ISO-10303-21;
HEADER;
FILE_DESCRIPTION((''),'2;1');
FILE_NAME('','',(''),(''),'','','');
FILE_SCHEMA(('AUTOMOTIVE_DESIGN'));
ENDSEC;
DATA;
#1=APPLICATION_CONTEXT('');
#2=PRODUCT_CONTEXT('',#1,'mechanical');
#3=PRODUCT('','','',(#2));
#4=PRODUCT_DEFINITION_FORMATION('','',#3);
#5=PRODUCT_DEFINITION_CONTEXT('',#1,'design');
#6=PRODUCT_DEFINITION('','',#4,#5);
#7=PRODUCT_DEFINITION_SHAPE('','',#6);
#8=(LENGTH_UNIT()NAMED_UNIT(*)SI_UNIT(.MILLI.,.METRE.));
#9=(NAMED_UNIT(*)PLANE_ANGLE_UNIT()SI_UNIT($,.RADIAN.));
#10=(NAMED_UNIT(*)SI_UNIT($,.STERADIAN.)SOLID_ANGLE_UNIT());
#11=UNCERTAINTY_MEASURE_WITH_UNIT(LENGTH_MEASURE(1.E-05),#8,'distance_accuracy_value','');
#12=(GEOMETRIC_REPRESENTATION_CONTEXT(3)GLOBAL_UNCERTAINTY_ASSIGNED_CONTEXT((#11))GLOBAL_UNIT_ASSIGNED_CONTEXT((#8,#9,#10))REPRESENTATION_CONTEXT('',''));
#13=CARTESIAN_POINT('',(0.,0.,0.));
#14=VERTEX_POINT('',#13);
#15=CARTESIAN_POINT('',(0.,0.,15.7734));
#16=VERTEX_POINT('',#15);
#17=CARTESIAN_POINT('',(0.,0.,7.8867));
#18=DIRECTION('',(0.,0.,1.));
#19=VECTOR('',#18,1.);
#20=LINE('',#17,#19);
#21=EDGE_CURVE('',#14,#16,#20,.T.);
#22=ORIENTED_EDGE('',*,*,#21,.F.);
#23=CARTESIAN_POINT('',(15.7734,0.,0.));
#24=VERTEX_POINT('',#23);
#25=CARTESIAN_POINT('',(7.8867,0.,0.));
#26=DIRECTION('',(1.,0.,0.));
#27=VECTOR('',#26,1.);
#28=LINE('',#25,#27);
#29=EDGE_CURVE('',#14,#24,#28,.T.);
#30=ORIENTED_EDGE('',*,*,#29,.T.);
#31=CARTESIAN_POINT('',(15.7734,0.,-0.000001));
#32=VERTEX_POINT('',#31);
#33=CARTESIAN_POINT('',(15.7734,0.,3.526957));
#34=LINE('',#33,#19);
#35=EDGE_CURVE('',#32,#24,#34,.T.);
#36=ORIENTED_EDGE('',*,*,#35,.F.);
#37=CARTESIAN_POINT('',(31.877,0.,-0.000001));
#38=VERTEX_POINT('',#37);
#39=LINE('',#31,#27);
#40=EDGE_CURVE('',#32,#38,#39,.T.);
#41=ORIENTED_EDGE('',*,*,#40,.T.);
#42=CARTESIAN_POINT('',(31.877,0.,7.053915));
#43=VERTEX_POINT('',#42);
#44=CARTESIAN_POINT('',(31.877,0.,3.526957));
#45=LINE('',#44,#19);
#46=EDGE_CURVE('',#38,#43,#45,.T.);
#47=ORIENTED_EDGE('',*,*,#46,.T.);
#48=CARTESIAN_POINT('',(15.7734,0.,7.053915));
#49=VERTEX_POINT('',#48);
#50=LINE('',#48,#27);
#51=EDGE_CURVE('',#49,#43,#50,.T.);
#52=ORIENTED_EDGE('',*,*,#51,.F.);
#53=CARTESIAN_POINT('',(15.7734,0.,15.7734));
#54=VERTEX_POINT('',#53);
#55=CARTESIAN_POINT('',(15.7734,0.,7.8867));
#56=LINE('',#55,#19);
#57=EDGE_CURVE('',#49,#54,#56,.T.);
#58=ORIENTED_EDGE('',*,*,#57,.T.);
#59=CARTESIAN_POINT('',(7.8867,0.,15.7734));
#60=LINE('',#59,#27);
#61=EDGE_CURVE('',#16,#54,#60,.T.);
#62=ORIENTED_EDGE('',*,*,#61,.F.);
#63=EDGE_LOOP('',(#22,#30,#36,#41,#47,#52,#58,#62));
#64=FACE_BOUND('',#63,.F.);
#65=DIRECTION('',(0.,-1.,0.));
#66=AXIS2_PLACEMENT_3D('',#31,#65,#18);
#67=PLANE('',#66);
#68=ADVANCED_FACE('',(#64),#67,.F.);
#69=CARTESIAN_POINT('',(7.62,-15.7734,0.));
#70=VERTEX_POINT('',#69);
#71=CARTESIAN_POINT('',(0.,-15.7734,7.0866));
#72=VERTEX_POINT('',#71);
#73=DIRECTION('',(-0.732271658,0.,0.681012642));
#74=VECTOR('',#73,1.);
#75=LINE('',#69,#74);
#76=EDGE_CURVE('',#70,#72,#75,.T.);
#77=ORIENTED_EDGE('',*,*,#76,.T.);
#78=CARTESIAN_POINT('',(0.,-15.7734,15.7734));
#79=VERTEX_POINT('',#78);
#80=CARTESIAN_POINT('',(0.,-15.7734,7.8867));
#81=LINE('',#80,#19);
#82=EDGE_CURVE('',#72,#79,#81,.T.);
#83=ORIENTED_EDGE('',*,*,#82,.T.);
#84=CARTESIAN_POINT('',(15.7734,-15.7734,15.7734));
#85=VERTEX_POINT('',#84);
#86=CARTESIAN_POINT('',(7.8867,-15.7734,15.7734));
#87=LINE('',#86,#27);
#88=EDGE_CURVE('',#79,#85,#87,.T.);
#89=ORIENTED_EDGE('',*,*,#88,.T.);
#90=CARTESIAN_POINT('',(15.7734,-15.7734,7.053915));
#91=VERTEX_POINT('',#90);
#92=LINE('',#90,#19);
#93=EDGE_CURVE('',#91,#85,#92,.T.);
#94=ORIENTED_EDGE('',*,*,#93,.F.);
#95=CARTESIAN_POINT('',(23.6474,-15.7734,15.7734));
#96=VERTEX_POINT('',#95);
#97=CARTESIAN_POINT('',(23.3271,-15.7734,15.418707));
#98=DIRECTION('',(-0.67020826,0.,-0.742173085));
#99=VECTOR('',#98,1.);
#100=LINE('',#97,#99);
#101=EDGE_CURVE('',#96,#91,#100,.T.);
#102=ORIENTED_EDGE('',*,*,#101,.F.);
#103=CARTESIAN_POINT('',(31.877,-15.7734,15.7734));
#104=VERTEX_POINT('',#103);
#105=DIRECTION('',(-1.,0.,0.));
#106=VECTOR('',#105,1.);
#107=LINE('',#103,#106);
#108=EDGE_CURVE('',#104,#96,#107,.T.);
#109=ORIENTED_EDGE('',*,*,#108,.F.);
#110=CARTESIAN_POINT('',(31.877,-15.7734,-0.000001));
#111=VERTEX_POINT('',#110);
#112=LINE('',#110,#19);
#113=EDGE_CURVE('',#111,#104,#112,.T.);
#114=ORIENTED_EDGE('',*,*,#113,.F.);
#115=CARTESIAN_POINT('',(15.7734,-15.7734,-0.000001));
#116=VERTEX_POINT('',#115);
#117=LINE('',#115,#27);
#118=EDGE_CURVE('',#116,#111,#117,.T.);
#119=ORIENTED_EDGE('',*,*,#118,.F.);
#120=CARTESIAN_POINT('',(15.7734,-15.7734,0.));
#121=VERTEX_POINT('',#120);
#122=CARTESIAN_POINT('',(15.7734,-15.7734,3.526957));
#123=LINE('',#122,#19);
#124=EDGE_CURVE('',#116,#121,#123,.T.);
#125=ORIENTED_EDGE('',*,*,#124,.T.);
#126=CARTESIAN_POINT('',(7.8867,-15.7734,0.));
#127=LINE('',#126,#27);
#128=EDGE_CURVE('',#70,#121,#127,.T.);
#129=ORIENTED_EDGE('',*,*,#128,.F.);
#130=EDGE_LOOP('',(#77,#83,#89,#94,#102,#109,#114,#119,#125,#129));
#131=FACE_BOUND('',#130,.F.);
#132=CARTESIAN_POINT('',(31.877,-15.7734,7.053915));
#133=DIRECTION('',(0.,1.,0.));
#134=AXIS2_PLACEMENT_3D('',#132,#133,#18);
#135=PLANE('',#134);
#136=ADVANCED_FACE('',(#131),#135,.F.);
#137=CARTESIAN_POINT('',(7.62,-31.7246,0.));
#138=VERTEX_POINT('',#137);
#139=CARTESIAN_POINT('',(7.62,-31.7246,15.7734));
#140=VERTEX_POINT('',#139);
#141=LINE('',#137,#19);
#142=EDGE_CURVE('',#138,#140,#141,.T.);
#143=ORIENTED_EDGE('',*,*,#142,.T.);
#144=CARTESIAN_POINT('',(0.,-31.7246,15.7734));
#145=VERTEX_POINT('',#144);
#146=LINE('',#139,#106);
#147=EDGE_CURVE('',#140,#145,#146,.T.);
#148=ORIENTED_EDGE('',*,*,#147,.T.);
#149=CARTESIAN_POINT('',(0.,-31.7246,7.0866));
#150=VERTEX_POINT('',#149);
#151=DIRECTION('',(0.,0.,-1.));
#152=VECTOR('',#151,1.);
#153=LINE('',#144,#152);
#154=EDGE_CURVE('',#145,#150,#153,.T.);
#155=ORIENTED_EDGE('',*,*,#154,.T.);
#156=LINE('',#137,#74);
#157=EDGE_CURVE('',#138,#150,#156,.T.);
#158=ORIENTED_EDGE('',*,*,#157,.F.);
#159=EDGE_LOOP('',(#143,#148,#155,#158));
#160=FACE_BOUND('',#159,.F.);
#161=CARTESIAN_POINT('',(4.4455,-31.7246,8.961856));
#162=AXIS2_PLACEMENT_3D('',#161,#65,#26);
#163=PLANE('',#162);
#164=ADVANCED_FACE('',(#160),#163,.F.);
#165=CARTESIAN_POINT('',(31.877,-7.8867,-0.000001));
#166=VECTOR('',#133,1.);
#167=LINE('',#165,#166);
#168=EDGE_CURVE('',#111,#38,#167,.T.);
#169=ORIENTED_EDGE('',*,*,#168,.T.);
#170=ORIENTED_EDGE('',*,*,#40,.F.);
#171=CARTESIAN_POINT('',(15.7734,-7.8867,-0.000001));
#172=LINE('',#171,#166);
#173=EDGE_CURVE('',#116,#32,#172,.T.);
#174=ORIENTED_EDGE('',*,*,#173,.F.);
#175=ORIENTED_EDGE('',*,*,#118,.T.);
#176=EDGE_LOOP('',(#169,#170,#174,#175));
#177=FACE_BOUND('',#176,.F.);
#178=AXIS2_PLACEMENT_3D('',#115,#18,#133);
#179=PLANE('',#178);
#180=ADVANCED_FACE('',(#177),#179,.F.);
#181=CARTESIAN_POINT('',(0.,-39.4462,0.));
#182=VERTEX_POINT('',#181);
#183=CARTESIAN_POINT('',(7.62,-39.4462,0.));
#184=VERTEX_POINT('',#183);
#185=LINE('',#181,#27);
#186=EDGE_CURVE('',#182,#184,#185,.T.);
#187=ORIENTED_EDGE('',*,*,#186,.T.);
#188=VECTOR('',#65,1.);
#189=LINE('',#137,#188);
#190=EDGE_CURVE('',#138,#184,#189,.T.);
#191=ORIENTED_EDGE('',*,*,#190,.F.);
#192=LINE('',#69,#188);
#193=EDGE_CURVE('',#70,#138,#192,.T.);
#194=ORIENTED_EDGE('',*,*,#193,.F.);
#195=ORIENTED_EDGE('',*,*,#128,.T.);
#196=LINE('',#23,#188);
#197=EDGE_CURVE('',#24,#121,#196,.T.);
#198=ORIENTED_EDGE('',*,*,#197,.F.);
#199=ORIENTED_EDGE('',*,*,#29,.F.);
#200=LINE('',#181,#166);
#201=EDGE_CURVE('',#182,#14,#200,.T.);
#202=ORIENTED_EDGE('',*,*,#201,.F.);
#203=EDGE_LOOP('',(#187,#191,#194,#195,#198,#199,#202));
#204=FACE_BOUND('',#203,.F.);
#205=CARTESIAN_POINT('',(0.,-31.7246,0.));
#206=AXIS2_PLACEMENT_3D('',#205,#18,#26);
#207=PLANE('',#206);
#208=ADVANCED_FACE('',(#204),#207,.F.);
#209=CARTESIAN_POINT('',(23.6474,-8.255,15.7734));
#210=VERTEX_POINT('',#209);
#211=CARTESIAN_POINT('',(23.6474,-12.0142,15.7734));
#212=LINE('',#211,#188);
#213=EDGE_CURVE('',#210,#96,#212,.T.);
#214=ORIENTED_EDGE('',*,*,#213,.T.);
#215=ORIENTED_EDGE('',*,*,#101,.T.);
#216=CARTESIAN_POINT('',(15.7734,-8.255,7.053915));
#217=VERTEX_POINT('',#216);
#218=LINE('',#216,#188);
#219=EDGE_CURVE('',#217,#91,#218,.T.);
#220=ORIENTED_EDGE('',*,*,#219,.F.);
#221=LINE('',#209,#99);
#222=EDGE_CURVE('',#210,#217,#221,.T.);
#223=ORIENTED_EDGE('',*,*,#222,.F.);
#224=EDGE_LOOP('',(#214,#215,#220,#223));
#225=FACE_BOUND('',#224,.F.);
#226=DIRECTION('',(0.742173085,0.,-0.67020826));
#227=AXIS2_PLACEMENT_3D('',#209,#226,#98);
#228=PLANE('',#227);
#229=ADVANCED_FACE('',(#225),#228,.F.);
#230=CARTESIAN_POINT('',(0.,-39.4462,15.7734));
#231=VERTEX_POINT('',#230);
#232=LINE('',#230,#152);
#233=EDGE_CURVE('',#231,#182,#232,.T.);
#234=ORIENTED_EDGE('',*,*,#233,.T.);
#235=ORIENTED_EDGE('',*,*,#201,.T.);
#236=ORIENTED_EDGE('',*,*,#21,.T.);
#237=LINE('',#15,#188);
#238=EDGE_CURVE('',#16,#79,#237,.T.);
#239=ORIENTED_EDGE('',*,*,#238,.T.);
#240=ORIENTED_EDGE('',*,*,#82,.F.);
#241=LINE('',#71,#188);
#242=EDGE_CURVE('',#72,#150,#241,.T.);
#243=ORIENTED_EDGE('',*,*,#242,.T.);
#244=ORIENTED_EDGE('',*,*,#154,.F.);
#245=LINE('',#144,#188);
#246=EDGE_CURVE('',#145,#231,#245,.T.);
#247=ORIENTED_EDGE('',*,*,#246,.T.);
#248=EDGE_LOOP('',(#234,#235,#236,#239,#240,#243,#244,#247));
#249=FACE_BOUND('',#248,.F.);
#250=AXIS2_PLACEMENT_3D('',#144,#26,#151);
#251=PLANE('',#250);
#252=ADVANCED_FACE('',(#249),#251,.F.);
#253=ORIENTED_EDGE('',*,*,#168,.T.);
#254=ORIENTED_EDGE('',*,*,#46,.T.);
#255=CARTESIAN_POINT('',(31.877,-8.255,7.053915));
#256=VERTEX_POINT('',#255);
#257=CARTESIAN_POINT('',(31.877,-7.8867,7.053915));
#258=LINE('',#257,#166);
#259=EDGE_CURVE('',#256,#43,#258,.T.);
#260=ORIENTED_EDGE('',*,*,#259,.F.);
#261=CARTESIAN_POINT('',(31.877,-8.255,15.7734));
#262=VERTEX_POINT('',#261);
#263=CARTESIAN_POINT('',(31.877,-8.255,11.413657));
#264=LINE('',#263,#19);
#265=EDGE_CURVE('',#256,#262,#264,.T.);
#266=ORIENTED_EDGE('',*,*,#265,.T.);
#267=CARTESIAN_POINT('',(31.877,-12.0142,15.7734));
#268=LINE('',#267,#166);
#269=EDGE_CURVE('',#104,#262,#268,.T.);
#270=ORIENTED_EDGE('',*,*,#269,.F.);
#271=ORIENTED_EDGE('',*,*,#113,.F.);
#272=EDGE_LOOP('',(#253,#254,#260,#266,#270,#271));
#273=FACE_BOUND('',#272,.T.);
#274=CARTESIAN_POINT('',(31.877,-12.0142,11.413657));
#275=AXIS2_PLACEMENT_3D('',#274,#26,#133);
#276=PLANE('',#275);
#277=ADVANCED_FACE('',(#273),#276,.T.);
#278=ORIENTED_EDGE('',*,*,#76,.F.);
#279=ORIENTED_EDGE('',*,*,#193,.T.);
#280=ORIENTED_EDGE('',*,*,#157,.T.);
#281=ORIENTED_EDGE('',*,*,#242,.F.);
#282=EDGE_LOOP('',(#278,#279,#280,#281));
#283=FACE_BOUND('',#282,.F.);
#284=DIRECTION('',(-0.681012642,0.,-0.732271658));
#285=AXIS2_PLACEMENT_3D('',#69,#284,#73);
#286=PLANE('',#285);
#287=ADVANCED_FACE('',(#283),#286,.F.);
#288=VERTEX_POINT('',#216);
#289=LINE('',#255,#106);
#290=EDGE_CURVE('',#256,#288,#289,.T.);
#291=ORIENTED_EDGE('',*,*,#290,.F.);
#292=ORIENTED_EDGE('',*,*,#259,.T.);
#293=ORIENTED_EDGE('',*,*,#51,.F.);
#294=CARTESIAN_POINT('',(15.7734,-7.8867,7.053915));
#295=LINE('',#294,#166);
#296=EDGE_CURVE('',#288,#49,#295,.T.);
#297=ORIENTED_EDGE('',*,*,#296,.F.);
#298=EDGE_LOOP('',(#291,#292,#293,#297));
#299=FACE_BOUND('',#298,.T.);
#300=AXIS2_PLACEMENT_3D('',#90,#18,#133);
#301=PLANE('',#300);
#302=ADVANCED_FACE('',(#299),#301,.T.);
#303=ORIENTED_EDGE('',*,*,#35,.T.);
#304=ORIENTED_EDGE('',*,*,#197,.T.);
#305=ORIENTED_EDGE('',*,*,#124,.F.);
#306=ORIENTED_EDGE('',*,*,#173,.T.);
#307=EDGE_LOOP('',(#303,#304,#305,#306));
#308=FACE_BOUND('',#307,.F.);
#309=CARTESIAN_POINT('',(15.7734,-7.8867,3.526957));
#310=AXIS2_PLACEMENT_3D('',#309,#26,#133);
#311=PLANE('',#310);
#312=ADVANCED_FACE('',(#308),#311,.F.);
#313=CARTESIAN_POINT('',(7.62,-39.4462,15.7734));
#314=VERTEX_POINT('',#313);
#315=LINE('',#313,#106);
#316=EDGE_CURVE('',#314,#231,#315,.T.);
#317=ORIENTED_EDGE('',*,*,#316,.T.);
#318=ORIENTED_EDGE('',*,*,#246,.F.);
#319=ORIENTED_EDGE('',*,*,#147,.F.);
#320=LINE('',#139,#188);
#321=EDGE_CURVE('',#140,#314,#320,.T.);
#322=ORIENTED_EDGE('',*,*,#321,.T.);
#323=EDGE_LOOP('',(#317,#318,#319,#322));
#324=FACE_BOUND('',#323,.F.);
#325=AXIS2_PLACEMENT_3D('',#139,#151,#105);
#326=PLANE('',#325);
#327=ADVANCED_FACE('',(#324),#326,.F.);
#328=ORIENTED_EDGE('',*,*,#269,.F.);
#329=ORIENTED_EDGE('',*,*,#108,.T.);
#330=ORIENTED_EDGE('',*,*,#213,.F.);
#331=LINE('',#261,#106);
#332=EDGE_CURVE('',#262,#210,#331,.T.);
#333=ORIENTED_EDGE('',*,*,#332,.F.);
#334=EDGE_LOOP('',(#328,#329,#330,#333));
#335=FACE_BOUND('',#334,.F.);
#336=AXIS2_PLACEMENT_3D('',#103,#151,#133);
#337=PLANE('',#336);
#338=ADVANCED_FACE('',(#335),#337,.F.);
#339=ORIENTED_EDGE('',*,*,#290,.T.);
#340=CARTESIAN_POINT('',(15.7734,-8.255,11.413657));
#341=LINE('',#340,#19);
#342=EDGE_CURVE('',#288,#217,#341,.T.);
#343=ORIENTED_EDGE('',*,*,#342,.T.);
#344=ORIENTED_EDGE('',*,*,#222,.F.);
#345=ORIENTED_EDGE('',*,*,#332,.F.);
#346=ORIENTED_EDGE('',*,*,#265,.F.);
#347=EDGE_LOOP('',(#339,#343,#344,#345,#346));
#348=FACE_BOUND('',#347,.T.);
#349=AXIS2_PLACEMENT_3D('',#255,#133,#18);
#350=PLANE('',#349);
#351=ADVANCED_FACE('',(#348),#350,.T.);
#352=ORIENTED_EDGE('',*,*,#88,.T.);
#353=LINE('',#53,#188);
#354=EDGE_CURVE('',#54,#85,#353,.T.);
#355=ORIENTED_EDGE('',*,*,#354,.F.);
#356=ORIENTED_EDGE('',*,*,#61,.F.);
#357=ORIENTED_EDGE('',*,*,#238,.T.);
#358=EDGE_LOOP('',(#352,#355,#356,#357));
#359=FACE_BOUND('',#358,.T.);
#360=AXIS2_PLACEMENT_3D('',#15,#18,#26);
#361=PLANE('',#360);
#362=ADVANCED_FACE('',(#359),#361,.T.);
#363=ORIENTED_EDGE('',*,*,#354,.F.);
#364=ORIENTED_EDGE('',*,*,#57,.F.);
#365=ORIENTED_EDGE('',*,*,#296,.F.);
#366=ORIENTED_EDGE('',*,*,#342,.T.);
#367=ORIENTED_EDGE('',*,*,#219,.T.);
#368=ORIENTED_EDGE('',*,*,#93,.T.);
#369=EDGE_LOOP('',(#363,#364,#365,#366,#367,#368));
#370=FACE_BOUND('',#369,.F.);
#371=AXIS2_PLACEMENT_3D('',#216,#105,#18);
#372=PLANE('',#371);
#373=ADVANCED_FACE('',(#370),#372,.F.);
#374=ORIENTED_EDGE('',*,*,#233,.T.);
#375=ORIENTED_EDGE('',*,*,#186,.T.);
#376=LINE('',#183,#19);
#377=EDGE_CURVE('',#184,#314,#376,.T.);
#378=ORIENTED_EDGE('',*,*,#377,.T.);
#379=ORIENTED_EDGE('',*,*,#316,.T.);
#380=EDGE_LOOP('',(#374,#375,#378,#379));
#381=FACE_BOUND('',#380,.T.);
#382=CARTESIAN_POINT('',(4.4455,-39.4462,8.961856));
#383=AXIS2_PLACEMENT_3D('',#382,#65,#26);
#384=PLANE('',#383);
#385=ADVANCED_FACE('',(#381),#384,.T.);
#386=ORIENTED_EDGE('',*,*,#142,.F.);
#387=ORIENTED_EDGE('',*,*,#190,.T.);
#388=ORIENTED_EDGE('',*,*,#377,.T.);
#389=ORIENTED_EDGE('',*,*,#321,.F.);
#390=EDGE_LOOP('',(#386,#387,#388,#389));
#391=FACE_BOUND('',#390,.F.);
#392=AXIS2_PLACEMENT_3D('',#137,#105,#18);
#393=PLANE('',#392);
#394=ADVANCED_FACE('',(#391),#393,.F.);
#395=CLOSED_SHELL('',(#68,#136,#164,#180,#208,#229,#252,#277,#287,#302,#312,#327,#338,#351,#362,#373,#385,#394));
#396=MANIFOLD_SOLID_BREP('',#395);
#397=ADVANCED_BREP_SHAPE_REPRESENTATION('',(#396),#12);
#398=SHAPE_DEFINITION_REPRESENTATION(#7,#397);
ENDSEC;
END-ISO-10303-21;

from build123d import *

# Parameters (mm, degrees)
F0_W      = 15.7734
F0_H      = 15.7734
F1_DEPTH  = 15.7734
F3_DEPTH  = 15.9512
F5_DEPTH  = 7.7216
F6_W      = 15.7734
F6_H      = 7.053915
F7_DEPTH  = 16.1036
F8_W      = 7.5184
F8_H      = 8.719485
F9_DEPTH  = 16.1036
F11_DEPTH = 25.4


with BuildPart() as f1:
    # F0 (on Front) → F1 (new body)
    with BuildSketch(Plane.XZ):
        with Locations((7.8867, 7.8867)):
            Rectangle(F0_W, F0_H)
    extrude(amount=F1_DEPTH)

    # F2 (on face) → F3 (join)
    with BuildSketch(Plane.XZ.offset(15.7734)):
        Polygon((0, 7.0866), (0, 0), (7.62, 0), align=None)
    extrude(amount=F3_DEPTH)

    # F4 (on face) → F5 (join)
    with BuildSketch(Plane.XZ.offset(31.7246)):
        Polygon((0, 7.0866), (7.62, 0), (7.62, 15.7734), (0, 15.7734), align=None)
        Polygon((0, 7.0866), (0, 0), (7.62, 0), align=None)
    extrude(amount=F5_DEPTH)

    # F6 (on face) → F7 (join)
    with BuildSketch(Plane.YZ.offset(15.7734)):
        with Locations((-7.8867, 3.526957)):
            Rectangle(F6_W, F6_H)
    extrude(amount=F7_DEPTH)

    # F8 (on face) → F9 (join, through all)
    with BuildSketch(Plane.YZ.offset(31.877)):
        with Locations((-12.0142, 11.413657)):
            Rectangle(F8_W, F8_H)
    extrude(amount=-F9_DEPTH)

    # F10 (on face) → F11 (cut)
    with BuildSketch(Plane(origin=(0, -8.255, 0), x_dir=(-1, 0, 0), z_dir=(0, 1, 0))):
        Polygon((-23.6474, 15.7734), (-15.7734, 7.053915), (-15.7734, 15.7734), align=None)
    extrude(amount=-F11_DEPTH, mode=Mode.SUBTRACT)


solid = f1.part
